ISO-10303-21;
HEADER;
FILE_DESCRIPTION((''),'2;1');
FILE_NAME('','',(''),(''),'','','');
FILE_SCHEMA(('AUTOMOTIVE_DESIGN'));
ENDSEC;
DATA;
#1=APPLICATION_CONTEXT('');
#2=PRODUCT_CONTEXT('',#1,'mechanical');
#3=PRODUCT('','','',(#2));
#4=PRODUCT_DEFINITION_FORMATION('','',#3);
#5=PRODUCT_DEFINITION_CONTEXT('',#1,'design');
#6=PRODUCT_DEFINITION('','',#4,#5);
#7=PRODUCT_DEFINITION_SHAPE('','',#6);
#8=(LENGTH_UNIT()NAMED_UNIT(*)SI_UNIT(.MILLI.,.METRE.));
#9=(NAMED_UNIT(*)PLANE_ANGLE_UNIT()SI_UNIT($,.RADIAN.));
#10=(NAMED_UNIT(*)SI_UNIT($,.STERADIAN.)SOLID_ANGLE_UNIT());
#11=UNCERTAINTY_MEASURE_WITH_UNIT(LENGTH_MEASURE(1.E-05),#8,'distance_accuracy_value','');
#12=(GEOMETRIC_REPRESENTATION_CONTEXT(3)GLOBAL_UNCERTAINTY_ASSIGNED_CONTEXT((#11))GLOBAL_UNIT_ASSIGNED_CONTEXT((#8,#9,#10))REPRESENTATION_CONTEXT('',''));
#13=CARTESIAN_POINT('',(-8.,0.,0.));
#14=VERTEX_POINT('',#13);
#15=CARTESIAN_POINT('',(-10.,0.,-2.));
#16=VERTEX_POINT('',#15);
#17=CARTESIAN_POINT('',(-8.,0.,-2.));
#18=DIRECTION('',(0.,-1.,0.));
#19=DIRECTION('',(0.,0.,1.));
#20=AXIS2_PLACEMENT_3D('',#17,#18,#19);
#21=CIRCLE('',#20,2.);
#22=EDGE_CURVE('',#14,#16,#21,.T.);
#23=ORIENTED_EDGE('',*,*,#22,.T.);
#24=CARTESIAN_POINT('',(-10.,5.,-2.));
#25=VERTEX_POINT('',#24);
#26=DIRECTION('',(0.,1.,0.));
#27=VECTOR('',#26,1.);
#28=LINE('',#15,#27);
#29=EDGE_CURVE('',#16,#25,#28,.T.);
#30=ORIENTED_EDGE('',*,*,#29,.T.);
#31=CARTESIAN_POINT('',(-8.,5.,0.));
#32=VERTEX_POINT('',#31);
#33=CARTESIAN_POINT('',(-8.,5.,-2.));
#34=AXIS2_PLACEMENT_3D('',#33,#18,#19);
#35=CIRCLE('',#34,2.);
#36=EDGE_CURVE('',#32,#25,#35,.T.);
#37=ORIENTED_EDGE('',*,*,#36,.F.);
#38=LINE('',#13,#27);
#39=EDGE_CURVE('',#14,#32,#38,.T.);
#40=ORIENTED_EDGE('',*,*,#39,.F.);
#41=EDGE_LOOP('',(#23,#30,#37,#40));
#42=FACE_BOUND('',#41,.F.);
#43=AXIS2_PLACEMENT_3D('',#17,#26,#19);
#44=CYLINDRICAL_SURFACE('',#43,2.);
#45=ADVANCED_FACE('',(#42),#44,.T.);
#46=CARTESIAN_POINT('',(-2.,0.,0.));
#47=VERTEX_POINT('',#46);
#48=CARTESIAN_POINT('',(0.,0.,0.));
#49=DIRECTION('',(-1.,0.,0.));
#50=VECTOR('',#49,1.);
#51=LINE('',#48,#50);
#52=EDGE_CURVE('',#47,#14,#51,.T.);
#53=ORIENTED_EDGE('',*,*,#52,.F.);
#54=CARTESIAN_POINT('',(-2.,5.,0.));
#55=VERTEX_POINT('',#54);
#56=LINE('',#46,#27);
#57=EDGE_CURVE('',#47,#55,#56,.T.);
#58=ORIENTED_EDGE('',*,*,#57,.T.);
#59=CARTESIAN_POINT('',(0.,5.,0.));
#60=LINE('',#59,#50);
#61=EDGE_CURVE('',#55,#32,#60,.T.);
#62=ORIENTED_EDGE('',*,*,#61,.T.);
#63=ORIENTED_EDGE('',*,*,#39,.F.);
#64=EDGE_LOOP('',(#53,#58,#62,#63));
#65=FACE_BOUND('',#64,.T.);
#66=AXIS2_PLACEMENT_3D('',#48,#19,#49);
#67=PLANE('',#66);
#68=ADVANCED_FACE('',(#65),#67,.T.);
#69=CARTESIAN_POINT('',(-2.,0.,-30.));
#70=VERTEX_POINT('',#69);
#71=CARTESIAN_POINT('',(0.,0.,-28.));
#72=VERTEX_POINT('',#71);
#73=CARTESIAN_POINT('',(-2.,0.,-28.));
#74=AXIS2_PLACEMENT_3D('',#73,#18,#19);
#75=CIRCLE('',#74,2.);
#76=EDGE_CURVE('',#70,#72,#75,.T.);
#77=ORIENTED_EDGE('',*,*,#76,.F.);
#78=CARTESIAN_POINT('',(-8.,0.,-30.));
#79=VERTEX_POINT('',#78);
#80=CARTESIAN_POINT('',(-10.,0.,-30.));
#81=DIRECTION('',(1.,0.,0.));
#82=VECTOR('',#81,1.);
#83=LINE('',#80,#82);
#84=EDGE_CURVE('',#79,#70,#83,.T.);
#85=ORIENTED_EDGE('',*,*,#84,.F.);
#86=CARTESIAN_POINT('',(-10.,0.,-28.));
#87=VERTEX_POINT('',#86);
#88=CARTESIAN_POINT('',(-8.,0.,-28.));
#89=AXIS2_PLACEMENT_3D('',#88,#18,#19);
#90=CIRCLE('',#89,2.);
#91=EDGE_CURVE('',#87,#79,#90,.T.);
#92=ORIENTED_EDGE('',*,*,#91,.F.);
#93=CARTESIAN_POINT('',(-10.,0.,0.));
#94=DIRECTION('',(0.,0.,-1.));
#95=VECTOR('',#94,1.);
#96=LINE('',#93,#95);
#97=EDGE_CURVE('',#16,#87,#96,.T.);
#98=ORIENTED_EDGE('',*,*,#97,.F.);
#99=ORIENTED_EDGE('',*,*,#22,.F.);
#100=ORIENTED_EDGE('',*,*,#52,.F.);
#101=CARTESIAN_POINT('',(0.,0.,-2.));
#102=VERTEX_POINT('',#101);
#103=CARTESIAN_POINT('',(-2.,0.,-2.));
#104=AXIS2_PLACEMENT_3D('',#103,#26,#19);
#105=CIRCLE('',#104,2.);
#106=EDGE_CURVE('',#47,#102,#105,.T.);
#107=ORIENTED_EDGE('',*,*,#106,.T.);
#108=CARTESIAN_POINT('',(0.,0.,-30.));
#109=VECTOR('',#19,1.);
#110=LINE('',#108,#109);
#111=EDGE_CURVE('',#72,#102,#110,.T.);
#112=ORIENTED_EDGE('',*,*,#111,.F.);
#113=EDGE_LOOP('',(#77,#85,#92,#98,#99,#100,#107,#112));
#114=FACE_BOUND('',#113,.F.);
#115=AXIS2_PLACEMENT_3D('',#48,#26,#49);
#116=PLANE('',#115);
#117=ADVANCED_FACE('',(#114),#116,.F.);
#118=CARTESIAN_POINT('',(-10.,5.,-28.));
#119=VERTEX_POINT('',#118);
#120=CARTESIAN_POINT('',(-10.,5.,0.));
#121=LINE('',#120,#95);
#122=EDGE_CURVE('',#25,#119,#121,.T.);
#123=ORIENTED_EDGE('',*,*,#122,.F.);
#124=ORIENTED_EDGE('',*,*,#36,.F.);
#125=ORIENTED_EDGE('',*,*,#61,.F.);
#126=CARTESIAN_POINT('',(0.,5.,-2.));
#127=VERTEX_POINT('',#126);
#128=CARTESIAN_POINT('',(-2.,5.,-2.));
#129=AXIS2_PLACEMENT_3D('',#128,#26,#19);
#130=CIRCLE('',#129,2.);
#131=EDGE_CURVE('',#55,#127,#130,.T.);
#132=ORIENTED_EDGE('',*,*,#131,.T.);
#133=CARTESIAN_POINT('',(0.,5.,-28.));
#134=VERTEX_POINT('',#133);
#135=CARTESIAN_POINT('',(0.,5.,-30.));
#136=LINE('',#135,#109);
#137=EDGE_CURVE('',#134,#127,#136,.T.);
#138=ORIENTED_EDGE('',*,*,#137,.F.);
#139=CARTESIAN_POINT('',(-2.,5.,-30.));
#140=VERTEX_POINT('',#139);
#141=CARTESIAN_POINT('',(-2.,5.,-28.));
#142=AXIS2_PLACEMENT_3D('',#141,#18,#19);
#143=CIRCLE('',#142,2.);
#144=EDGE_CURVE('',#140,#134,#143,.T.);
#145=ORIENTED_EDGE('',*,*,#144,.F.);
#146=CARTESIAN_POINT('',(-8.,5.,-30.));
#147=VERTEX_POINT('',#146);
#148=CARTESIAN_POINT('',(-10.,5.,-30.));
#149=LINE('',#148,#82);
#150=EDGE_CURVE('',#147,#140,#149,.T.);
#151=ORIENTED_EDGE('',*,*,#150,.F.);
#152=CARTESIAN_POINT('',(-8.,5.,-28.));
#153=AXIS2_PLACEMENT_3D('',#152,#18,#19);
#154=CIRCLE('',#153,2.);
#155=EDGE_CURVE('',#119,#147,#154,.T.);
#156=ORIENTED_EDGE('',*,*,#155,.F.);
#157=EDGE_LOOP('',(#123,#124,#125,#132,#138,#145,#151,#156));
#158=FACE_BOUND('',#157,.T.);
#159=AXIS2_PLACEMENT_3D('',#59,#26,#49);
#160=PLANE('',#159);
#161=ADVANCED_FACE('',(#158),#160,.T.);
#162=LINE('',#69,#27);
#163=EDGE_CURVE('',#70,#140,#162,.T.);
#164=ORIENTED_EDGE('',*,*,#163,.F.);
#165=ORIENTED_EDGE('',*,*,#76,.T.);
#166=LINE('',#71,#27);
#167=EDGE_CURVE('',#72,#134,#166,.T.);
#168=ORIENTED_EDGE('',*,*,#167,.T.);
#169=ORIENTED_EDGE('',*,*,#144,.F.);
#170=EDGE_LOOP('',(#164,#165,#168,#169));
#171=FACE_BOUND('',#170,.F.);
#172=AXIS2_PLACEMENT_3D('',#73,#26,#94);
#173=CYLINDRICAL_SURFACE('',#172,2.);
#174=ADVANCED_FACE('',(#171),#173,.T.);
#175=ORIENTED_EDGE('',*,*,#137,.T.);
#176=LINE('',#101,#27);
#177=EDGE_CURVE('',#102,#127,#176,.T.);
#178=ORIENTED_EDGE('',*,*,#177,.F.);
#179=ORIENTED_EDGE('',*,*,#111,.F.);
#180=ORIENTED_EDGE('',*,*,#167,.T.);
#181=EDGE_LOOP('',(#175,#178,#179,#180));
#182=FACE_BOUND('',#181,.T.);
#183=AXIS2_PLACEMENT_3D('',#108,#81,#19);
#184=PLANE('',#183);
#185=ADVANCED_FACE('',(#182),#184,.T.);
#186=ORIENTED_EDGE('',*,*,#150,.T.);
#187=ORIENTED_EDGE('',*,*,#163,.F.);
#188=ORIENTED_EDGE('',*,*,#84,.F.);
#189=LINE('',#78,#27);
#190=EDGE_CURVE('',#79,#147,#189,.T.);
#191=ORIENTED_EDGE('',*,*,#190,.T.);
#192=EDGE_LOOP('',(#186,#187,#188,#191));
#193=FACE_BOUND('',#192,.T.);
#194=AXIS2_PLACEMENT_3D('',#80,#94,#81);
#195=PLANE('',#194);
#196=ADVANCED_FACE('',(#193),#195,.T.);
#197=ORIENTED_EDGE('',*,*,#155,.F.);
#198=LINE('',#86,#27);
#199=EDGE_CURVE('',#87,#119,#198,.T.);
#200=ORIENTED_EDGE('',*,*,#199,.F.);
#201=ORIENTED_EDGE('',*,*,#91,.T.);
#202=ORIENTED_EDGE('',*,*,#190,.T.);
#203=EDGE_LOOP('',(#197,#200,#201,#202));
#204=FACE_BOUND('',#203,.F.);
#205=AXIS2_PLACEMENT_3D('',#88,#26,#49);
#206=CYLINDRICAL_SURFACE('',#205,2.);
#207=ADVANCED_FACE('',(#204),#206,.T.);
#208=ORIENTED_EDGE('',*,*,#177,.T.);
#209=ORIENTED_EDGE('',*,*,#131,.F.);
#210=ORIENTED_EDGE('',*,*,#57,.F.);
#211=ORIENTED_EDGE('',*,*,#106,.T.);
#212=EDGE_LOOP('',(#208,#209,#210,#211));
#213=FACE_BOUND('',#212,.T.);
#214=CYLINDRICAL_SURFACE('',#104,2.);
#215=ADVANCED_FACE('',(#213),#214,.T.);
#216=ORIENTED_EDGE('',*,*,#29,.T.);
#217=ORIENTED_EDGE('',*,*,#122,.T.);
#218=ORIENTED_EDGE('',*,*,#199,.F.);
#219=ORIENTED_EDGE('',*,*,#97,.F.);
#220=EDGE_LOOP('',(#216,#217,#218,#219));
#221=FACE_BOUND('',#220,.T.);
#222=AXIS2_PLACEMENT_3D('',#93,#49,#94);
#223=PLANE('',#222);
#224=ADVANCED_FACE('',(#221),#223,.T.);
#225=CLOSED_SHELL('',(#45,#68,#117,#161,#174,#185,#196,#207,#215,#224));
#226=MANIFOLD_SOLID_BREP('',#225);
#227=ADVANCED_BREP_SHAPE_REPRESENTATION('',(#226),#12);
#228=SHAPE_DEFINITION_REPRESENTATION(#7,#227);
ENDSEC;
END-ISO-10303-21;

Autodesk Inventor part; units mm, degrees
ref_plane "YZ Plane" through (0, 0, 0) normal (1, 0, 0) x (0, 1, 0)
ref_plane "XZ Plane" through (0, 0, 0) normal (0, 1, 0) x (-1, 0, 0)
ref_plane "XY Plane" through (0, 0, 0) normal (0, 0, 1) x (1, 0, 0)
sketch "Szkic1" plane through (0, 0, 0) normal (0, 1, 0) x (-1, 0, 0)
  line L0 (0, 0) -> (10, 0)
  line L1 (10, 0) -> (10, -30)
  line L2 (10, -30) -> (0, -30)
  line L3 (0, -30) -> (0, 0)
  dimension "d0" = 10
  dimension "d1" = 30
extrude "Wyciągnięcie proste1" add sketch "Szkic1" along normal blind 5
fillet "Zaokrąglenie1" radius 2 4 edges at (-10, 2.5, -30) (-10, 2.5, 0) (0, 2.5, 0) (0, 2.5, -30)
properties part number "blokada"
